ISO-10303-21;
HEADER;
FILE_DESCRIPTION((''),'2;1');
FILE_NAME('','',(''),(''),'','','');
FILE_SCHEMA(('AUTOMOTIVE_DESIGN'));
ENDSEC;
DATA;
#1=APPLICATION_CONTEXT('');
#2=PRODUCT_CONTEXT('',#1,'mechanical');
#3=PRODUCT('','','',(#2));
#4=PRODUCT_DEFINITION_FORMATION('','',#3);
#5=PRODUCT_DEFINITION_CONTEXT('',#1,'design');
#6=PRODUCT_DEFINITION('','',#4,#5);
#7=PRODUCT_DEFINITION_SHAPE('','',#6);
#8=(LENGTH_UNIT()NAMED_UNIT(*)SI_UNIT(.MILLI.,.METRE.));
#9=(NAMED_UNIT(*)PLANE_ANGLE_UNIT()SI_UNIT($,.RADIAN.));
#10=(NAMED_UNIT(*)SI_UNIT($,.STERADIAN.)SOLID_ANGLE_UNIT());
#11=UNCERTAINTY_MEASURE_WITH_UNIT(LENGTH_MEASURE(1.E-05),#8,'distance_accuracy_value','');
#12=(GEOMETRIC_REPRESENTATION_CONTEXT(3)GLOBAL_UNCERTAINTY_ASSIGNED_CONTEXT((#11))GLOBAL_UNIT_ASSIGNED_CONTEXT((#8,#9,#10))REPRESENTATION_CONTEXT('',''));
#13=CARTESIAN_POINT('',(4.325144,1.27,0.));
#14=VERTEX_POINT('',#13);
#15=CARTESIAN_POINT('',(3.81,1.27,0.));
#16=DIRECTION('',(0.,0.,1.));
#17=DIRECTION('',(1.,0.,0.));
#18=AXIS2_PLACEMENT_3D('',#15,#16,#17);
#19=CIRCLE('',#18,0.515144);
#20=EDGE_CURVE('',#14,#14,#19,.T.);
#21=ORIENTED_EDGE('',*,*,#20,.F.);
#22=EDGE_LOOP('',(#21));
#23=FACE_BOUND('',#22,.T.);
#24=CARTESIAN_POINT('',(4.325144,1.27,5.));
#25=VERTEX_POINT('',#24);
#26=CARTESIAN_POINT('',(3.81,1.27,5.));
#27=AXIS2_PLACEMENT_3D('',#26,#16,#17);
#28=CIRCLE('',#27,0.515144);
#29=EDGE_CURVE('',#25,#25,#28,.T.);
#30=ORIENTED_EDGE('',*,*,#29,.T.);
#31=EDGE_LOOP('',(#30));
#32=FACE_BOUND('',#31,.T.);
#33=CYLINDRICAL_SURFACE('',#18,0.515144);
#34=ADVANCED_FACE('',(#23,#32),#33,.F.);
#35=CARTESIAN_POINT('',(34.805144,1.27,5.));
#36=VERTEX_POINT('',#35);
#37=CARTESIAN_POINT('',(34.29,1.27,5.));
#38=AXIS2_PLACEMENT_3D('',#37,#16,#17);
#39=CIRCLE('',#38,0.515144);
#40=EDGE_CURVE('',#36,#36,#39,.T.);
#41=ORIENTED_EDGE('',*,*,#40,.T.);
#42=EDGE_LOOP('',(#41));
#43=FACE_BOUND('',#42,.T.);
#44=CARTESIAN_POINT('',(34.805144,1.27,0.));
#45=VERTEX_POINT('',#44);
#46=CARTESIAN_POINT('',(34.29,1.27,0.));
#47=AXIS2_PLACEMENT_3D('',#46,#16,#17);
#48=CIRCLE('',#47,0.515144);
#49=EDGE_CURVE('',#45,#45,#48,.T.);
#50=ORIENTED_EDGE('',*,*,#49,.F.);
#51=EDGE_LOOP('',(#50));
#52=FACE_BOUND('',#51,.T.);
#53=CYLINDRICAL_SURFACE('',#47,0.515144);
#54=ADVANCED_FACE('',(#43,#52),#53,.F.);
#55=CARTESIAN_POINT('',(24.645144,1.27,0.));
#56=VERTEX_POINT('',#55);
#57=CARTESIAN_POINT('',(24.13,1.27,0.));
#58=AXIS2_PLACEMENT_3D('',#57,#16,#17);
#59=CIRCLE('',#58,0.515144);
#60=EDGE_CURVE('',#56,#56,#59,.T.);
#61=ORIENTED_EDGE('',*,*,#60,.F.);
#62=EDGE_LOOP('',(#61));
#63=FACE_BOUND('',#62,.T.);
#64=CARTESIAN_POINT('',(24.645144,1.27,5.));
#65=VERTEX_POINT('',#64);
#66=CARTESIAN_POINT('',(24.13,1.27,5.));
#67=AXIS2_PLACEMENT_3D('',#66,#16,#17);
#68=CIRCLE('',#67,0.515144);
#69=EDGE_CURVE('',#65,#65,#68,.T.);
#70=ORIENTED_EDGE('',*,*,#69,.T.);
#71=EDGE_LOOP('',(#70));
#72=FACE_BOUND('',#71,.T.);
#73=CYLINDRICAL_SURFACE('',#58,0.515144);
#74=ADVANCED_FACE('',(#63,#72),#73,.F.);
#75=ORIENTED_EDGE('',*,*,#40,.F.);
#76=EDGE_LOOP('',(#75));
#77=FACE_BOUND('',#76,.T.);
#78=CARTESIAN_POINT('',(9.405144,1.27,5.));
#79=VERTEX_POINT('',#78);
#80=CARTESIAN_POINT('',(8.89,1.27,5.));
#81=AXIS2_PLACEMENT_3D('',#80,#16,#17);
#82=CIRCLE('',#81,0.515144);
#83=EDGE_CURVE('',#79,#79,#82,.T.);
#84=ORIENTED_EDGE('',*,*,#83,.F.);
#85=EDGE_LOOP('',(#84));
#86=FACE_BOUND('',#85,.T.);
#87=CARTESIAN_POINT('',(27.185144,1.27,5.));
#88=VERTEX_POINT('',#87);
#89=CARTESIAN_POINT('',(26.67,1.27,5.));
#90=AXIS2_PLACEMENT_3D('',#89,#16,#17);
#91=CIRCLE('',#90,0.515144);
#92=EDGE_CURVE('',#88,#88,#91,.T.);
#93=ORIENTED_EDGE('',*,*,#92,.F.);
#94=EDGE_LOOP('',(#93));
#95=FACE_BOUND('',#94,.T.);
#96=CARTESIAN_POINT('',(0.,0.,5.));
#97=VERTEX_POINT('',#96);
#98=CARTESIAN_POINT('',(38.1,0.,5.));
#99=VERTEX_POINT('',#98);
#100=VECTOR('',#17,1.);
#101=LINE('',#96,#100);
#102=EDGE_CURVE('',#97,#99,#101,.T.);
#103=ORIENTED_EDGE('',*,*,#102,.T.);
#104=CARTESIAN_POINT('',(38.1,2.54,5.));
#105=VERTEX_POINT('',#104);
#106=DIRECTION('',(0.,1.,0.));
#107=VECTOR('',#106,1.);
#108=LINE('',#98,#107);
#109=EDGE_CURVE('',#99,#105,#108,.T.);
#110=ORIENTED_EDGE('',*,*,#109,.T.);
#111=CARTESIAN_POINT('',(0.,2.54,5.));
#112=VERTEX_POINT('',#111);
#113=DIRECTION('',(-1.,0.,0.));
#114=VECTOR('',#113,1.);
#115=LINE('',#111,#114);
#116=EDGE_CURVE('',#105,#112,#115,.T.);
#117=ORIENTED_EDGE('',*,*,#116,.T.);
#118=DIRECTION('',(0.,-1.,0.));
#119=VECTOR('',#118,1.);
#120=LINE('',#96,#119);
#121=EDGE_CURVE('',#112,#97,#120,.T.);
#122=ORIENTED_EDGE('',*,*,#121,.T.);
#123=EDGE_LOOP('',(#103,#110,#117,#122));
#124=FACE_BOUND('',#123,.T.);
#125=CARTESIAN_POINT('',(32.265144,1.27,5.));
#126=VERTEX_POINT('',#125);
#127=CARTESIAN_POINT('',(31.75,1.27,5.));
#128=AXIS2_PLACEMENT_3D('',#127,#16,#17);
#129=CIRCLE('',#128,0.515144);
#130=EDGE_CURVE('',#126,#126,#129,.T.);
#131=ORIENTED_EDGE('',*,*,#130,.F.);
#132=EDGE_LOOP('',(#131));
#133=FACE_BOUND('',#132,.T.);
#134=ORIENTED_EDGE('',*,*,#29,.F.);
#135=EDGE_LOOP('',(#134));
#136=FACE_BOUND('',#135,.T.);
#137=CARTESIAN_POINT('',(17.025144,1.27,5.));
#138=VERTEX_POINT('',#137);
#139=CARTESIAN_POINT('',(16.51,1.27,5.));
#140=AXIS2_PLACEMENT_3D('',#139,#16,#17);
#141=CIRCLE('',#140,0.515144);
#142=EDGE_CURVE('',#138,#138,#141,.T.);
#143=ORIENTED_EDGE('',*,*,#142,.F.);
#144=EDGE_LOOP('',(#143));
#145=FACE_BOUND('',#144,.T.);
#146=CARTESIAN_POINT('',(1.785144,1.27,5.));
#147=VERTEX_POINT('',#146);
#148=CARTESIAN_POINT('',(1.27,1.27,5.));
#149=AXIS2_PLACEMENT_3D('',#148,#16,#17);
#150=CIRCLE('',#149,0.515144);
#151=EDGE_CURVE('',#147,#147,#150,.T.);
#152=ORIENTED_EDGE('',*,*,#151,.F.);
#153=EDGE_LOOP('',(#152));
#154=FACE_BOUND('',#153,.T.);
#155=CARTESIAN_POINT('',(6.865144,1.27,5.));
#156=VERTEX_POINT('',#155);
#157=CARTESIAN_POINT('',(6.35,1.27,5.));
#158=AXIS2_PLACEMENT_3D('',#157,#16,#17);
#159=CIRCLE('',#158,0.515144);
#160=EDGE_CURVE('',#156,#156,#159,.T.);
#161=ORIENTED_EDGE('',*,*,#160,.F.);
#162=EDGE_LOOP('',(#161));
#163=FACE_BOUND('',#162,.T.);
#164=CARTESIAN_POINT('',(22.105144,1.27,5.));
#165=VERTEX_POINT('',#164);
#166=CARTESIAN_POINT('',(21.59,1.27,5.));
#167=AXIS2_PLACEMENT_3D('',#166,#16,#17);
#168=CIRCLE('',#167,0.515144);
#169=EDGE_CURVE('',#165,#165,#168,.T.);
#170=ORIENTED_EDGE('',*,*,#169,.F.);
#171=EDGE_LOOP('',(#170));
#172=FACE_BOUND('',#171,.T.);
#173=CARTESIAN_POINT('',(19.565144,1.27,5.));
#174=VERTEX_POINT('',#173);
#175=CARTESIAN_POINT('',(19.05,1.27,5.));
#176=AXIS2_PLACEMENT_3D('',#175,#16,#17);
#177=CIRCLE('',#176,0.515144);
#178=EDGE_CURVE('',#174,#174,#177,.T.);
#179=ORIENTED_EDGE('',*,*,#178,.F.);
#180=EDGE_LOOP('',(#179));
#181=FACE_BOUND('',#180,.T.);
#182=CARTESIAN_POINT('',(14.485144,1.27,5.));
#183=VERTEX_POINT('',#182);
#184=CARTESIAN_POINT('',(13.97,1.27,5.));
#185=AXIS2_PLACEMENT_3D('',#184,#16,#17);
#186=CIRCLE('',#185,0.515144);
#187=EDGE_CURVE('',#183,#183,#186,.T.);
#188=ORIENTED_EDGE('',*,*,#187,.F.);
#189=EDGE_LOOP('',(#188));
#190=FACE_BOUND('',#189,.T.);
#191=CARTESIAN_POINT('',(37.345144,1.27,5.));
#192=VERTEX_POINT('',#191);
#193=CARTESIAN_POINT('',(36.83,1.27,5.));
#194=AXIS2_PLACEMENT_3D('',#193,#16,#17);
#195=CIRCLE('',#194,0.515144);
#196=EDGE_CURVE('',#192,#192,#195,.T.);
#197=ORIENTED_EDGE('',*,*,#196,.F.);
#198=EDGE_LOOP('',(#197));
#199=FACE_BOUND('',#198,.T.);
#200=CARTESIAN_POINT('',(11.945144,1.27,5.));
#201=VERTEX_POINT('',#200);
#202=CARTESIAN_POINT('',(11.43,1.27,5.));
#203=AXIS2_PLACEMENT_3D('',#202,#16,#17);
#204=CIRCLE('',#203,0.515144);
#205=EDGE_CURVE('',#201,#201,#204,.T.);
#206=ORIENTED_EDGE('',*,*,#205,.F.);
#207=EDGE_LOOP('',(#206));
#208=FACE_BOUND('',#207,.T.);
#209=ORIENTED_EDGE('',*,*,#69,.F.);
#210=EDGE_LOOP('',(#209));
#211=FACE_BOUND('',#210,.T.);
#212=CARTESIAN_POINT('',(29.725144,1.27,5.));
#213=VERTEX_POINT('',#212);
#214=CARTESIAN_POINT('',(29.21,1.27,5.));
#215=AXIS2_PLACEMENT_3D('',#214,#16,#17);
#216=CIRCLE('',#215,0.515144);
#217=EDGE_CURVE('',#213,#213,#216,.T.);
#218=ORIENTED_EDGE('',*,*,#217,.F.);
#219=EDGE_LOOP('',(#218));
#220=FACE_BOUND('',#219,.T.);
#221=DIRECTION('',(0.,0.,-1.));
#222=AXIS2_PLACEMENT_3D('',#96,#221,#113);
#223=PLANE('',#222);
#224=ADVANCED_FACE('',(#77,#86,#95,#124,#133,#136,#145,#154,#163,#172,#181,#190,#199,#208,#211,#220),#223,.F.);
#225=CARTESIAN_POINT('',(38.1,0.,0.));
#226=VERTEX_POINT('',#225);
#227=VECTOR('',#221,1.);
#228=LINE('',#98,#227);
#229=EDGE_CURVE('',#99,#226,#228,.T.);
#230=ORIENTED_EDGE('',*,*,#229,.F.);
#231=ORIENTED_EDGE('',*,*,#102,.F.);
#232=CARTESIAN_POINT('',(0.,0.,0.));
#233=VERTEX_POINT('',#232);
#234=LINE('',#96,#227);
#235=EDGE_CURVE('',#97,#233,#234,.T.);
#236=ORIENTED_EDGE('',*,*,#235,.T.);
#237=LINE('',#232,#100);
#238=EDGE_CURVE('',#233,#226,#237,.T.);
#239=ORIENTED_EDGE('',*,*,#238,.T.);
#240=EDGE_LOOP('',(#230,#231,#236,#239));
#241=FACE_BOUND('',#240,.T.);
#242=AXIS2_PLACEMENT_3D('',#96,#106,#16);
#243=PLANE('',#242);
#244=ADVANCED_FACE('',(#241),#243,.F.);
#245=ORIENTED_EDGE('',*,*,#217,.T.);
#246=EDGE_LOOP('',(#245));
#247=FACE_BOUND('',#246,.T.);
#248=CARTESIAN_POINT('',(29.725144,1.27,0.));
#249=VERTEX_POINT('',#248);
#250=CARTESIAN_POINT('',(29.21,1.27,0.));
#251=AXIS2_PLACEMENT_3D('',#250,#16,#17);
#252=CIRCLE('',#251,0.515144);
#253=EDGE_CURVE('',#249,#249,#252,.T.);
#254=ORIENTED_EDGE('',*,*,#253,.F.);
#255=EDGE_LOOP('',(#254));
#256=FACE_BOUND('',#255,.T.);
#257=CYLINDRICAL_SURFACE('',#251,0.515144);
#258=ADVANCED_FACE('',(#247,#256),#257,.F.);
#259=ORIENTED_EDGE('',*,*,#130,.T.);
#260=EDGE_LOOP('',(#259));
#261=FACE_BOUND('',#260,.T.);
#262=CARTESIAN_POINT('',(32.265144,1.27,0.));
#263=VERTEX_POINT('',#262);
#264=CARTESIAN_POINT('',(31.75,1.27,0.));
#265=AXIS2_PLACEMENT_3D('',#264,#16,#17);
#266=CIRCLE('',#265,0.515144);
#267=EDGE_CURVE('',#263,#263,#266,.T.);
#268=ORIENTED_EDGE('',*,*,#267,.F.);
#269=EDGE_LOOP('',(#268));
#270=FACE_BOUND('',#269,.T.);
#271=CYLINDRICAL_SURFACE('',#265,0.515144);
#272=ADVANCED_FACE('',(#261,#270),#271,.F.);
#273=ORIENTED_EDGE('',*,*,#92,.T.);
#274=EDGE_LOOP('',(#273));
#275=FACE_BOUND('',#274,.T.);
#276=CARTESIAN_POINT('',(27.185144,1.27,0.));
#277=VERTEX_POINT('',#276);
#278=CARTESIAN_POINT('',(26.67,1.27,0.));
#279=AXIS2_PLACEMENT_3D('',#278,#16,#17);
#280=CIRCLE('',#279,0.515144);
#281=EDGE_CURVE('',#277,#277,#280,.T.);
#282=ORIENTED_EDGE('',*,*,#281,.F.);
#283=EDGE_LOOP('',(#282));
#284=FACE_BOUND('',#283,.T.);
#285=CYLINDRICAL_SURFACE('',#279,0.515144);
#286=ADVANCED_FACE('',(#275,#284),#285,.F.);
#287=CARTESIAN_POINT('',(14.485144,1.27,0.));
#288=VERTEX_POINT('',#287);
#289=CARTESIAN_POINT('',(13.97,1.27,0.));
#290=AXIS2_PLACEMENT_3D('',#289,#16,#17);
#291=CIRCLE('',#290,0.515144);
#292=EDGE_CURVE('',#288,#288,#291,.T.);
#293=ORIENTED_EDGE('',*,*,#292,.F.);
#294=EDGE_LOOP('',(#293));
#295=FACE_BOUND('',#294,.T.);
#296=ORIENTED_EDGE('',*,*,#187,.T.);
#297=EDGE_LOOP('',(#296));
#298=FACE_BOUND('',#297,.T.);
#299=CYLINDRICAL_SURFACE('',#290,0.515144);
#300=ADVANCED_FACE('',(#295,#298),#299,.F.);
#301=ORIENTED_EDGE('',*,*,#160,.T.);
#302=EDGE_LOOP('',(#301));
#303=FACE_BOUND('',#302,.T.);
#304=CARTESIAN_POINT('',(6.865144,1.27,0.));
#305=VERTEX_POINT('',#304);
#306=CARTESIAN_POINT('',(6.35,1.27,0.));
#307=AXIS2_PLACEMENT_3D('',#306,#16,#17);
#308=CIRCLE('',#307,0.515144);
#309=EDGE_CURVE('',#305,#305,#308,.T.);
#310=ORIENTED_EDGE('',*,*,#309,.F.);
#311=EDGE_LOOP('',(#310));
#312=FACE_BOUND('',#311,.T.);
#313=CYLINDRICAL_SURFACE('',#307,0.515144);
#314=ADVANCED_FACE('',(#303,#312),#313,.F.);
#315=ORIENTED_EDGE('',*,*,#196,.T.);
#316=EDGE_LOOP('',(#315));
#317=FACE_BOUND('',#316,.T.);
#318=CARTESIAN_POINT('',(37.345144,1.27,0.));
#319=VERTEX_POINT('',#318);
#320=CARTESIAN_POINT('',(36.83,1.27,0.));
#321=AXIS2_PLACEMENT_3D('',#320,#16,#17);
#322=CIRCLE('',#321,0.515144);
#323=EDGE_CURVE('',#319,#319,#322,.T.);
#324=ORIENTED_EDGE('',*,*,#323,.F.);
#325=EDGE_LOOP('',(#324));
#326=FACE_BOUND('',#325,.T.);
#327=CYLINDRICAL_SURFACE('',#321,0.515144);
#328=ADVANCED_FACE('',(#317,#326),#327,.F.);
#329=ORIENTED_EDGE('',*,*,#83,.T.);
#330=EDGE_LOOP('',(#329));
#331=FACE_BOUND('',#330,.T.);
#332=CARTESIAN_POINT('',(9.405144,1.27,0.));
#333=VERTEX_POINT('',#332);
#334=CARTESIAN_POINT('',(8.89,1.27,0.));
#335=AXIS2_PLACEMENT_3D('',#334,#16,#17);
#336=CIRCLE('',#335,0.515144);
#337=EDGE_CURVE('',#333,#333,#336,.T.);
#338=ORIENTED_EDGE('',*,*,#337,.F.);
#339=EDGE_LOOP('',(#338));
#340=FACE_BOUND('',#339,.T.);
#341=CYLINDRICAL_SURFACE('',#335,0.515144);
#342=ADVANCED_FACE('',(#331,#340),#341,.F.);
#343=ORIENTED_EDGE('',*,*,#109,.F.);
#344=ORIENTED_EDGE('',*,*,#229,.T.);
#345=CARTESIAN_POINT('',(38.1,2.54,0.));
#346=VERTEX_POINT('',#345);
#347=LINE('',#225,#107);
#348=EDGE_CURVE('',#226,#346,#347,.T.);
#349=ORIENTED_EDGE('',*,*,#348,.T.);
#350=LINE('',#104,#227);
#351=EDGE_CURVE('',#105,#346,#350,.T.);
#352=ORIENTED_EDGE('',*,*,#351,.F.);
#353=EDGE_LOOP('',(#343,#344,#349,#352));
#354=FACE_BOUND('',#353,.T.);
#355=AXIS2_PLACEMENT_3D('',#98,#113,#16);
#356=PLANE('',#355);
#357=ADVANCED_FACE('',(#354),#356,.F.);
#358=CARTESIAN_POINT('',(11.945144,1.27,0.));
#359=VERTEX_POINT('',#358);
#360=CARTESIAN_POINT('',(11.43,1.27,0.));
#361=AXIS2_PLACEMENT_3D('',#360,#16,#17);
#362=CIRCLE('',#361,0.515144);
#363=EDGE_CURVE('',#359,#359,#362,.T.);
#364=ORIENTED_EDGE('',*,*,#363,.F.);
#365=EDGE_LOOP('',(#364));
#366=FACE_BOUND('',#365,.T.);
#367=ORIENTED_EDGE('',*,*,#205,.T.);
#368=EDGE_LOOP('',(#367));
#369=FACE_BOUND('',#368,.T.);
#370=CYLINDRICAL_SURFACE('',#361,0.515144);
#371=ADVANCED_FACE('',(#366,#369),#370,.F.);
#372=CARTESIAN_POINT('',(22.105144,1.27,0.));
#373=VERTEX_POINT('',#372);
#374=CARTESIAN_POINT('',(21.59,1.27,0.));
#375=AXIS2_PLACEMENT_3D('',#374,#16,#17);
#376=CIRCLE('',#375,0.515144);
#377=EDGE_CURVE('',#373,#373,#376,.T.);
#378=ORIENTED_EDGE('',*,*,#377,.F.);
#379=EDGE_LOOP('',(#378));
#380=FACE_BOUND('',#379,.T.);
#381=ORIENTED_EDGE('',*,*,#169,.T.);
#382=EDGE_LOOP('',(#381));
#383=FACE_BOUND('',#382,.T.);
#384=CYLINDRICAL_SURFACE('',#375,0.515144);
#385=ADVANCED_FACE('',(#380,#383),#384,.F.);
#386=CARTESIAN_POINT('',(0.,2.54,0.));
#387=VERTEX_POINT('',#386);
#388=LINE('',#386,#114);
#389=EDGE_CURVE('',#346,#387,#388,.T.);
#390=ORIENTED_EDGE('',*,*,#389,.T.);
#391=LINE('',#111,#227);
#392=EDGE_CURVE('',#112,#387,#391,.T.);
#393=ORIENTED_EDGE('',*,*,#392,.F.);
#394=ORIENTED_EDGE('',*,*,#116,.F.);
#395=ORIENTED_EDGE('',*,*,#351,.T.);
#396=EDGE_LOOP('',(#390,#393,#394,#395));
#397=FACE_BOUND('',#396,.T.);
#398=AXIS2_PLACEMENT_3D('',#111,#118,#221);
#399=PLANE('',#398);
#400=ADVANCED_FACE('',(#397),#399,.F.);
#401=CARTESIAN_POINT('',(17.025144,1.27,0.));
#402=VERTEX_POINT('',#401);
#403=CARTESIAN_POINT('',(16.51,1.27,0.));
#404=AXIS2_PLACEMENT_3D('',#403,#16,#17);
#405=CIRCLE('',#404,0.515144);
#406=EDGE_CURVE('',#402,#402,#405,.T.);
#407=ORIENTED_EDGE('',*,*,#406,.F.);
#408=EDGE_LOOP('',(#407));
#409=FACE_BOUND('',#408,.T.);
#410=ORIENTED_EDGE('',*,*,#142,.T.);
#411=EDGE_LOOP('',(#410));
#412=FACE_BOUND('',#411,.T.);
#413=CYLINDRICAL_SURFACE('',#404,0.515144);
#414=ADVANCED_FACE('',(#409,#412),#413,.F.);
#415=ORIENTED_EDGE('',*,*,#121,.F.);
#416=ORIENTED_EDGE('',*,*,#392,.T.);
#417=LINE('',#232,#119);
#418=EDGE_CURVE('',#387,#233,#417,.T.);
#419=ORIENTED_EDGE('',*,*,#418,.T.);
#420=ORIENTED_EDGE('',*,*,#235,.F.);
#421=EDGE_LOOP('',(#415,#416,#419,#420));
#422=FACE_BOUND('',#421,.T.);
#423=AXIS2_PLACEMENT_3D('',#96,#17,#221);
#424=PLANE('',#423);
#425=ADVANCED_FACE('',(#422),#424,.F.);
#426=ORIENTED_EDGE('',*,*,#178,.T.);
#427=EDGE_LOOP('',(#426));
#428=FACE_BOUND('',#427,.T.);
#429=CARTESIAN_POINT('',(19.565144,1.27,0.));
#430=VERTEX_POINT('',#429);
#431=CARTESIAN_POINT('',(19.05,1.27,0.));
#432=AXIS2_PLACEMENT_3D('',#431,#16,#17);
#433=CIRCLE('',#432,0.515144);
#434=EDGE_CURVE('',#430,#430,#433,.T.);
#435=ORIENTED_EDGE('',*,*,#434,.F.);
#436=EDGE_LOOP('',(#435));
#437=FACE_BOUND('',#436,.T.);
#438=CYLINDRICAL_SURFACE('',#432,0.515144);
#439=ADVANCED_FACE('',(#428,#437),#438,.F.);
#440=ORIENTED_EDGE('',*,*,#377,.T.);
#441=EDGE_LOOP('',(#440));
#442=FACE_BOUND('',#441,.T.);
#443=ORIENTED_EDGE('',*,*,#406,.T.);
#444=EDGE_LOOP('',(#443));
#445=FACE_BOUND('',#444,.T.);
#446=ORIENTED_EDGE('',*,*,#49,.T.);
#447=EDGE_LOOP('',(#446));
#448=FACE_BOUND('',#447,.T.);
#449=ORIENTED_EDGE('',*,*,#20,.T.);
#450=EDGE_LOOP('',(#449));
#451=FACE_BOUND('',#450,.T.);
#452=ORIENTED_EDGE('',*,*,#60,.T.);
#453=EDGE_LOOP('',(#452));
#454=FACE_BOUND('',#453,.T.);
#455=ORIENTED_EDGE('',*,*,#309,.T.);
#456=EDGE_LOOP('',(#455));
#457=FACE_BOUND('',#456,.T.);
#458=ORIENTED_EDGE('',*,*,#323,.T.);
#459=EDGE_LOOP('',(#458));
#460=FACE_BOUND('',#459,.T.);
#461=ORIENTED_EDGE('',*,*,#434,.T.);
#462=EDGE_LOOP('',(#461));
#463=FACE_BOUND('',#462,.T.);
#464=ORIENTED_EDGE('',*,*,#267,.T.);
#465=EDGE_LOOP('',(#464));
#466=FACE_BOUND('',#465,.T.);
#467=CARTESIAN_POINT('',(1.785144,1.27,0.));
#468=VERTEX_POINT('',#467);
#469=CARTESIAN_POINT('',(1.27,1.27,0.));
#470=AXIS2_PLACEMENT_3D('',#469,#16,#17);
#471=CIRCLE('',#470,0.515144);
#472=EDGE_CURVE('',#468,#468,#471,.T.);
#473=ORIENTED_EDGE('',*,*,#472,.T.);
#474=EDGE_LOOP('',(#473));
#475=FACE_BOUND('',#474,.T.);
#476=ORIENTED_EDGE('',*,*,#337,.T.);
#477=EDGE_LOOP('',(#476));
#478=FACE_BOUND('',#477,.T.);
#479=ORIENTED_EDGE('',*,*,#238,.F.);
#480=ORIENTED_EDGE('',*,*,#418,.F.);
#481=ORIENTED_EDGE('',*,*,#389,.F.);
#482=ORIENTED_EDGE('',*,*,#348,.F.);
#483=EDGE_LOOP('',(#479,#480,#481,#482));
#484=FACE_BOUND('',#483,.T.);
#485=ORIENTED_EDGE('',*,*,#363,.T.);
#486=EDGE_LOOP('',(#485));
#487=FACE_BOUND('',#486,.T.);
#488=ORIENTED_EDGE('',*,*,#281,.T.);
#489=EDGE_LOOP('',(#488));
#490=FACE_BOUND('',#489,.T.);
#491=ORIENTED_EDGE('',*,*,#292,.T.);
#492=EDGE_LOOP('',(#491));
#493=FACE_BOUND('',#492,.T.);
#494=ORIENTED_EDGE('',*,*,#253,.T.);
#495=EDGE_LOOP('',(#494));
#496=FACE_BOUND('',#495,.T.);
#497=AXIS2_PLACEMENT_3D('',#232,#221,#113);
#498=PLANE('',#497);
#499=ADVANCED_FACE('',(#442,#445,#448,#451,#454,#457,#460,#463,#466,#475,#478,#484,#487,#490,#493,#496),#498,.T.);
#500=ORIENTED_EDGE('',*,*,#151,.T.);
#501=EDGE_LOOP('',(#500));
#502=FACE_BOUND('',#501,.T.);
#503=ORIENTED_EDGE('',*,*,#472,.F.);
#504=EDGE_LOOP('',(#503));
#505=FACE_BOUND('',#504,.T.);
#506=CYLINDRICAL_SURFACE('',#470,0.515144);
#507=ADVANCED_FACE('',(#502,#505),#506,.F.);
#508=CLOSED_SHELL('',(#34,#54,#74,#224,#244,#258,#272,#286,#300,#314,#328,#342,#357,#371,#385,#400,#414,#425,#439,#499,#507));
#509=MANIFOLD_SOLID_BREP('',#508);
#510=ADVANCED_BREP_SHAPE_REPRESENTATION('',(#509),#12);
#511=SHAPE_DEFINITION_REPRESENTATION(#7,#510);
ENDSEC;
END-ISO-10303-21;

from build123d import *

# Parameters (mm, degrees)
SKETCH1_W           = 38.1
SKETCH1_H           = 2.54
BOSS_EXTRUDE1_DEPTH = 5
SKETCH2_R           = 0.515143842
CUT_EXTRUDE1_DEPTH  = 39.510538817


with BuildPart() as part:
    # Sketch1 → Boss-Extrude1 (new body)
    with BuildSketch(Plane.XY):
        with Locations((19.05, 1.27)):
            Rectangle(SKETCH1_W, SKETCH1_H)
    extrude(amount=BOSS_EXTRUDE1_DEPTH)

    # Sketch2 → Cut-Extrude1 (cut, through all)
    with BuildSketch(Plane.XY.offset(5)):
        with Locations((1.27, 1.27)):
            Circle(SKETCH2_R)
        with Locations((3.81, 1.27)):
            Circle(SKETCH2_R)
        with Locations((6.35, 1.27)):
            Circle(SKETCH2_R)
        with Locations((8.89, 1.27)):
            Circle(SKETCH2_R)
        with Locations((11.43, 1.27)):
            Circle(SKETCH2_R)
        with Locations((13.97, 1.27)):
            Circle(SKETCH2_R)
        with Locations((16.51, 1.27)):
            Circle(SKETCH2_R)
        with Locations((19.05, 1.27)):
            Circle(SKETCH2_R)
        with Locations((21.59, 1.27)):
            Circle(SKETCH2_R)
        with Locations((24.13, 1.27)):
            Circle(SKETCH2_R)
        with Locations((26.67, 1.27)):
            Circle(SKETCH2_R)
        with Locations((29.21, 1.27)):
            Circle(SKETCH2_R)
        with Locations((31.75, 1.27)):
            Circle(SKETCH2_R)
        with Locations((34.29, 1.27)):
            Circle(SKETCH2_R)
        with Locations((36.83, 1.27)):
            Circle(SKETCH2_R)
    extrude(amount=-CUT_EXTRUDE1_DEPTH, mode=Mode.SUBTRACT)


solid = part.part
